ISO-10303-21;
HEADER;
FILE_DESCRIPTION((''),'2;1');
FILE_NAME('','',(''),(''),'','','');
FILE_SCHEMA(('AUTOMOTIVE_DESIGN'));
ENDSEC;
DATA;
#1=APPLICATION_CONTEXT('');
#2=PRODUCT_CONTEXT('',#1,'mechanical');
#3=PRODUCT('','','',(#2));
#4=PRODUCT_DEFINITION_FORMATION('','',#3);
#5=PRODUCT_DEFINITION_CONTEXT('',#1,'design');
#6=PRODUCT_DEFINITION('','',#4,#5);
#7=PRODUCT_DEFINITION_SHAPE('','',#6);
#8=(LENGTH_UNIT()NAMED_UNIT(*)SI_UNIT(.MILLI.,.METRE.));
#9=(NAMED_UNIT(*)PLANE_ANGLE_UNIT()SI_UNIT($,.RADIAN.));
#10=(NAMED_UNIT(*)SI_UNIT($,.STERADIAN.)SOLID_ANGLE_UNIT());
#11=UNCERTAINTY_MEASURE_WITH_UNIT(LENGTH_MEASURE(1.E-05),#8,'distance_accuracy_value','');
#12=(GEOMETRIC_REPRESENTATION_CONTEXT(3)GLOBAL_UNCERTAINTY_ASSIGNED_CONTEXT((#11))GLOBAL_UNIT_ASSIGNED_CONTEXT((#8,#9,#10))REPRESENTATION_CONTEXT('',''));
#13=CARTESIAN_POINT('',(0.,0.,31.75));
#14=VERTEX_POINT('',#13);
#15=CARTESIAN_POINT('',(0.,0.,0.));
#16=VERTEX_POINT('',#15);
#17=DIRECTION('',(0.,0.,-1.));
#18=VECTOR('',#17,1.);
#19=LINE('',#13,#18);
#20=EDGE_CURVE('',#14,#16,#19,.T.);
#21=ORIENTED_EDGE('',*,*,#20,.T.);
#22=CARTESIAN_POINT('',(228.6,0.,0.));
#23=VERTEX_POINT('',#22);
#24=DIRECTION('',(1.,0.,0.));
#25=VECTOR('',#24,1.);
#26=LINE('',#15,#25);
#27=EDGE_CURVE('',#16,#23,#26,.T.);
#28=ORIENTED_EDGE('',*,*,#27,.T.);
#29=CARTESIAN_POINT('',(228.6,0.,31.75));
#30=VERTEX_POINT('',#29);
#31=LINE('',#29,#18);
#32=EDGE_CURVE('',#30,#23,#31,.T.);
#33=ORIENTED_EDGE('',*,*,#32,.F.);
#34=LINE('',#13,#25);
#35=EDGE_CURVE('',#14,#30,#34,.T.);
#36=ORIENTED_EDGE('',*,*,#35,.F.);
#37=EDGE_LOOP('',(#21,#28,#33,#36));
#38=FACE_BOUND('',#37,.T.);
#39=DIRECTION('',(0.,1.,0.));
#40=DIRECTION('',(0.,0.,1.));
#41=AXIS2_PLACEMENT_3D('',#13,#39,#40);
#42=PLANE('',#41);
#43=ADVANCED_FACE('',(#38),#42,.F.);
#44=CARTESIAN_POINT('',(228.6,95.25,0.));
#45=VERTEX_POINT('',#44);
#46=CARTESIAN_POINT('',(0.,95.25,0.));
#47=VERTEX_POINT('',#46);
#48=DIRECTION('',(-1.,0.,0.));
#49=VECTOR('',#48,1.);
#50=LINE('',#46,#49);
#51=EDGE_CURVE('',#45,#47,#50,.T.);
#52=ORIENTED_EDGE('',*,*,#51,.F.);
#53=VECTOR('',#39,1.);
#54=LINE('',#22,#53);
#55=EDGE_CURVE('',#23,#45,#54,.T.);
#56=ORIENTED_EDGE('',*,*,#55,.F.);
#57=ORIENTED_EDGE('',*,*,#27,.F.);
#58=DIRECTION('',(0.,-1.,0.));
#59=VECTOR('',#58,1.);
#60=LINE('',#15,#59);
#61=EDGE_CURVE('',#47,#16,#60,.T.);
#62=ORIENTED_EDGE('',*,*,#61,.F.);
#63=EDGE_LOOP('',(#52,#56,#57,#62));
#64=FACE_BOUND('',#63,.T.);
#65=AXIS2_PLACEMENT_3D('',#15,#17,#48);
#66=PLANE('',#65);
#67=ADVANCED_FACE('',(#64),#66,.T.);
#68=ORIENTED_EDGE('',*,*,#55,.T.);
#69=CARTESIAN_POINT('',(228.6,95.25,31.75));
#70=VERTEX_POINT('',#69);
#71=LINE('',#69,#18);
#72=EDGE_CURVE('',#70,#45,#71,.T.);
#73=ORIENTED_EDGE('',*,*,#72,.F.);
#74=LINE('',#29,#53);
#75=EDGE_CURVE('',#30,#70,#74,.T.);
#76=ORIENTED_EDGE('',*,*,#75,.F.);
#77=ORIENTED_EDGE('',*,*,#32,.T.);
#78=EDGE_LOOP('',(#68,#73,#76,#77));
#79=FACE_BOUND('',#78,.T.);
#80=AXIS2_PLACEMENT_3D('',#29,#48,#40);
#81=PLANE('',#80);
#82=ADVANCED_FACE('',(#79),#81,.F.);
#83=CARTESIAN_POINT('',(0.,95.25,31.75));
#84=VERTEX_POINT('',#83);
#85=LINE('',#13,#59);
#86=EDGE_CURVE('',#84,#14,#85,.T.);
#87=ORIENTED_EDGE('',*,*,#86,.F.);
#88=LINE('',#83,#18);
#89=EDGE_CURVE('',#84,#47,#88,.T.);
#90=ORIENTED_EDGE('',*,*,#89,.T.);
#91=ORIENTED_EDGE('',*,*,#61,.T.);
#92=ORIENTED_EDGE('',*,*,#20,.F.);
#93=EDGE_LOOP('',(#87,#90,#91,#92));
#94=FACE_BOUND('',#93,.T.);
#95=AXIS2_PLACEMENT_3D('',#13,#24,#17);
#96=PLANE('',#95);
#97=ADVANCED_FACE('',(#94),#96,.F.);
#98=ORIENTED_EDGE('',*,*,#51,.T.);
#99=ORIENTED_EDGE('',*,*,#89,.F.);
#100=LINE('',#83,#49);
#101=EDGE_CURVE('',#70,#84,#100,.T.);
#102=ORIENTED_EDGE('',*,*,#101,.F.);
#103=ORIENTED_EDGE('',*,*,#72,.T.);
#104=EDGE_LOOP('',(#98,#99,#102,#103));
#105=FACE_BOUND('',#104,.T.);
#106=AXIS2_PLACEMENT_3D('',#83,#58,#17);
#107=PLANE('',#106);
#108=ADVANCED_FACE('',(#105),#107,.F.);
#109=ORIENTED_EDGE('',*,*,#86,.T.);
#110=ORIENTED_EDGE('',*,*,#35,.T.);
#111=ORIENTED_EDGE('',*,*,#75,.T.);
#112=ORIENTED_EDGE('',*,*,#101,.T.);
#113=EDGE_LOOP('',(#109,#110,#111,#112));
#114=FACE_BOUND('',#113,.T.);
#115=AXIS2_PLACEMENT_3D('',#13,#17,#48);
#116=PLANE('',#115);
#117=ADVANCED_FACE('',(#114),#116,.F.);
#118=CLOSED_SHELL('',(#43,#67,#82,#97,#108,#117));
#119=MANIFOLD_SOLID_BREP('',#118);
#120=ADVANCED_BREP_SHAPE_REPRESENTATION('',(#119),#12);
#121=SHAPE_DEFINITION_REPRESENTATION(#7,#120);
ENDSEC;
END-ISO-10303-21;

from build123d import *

# Parameters (mm, degrees)
SKETCH1_W           = 228.6
SKETCH1_H           = 95.25
BOSS_EXTRUDE1_DEPTH = 31.75


with BuildPart() as part:
    # Sketch1 → Boss-Extrude1 (new body)
    with BuildSketch(Plane.XY):
        with Locations((114.3, 47.625)):
            Rectangle(SKETCH1_W, SKETCH1_H)
    extrude(amount=BOSS_EXTRUDE1_DEPTH)


solid = part.part
